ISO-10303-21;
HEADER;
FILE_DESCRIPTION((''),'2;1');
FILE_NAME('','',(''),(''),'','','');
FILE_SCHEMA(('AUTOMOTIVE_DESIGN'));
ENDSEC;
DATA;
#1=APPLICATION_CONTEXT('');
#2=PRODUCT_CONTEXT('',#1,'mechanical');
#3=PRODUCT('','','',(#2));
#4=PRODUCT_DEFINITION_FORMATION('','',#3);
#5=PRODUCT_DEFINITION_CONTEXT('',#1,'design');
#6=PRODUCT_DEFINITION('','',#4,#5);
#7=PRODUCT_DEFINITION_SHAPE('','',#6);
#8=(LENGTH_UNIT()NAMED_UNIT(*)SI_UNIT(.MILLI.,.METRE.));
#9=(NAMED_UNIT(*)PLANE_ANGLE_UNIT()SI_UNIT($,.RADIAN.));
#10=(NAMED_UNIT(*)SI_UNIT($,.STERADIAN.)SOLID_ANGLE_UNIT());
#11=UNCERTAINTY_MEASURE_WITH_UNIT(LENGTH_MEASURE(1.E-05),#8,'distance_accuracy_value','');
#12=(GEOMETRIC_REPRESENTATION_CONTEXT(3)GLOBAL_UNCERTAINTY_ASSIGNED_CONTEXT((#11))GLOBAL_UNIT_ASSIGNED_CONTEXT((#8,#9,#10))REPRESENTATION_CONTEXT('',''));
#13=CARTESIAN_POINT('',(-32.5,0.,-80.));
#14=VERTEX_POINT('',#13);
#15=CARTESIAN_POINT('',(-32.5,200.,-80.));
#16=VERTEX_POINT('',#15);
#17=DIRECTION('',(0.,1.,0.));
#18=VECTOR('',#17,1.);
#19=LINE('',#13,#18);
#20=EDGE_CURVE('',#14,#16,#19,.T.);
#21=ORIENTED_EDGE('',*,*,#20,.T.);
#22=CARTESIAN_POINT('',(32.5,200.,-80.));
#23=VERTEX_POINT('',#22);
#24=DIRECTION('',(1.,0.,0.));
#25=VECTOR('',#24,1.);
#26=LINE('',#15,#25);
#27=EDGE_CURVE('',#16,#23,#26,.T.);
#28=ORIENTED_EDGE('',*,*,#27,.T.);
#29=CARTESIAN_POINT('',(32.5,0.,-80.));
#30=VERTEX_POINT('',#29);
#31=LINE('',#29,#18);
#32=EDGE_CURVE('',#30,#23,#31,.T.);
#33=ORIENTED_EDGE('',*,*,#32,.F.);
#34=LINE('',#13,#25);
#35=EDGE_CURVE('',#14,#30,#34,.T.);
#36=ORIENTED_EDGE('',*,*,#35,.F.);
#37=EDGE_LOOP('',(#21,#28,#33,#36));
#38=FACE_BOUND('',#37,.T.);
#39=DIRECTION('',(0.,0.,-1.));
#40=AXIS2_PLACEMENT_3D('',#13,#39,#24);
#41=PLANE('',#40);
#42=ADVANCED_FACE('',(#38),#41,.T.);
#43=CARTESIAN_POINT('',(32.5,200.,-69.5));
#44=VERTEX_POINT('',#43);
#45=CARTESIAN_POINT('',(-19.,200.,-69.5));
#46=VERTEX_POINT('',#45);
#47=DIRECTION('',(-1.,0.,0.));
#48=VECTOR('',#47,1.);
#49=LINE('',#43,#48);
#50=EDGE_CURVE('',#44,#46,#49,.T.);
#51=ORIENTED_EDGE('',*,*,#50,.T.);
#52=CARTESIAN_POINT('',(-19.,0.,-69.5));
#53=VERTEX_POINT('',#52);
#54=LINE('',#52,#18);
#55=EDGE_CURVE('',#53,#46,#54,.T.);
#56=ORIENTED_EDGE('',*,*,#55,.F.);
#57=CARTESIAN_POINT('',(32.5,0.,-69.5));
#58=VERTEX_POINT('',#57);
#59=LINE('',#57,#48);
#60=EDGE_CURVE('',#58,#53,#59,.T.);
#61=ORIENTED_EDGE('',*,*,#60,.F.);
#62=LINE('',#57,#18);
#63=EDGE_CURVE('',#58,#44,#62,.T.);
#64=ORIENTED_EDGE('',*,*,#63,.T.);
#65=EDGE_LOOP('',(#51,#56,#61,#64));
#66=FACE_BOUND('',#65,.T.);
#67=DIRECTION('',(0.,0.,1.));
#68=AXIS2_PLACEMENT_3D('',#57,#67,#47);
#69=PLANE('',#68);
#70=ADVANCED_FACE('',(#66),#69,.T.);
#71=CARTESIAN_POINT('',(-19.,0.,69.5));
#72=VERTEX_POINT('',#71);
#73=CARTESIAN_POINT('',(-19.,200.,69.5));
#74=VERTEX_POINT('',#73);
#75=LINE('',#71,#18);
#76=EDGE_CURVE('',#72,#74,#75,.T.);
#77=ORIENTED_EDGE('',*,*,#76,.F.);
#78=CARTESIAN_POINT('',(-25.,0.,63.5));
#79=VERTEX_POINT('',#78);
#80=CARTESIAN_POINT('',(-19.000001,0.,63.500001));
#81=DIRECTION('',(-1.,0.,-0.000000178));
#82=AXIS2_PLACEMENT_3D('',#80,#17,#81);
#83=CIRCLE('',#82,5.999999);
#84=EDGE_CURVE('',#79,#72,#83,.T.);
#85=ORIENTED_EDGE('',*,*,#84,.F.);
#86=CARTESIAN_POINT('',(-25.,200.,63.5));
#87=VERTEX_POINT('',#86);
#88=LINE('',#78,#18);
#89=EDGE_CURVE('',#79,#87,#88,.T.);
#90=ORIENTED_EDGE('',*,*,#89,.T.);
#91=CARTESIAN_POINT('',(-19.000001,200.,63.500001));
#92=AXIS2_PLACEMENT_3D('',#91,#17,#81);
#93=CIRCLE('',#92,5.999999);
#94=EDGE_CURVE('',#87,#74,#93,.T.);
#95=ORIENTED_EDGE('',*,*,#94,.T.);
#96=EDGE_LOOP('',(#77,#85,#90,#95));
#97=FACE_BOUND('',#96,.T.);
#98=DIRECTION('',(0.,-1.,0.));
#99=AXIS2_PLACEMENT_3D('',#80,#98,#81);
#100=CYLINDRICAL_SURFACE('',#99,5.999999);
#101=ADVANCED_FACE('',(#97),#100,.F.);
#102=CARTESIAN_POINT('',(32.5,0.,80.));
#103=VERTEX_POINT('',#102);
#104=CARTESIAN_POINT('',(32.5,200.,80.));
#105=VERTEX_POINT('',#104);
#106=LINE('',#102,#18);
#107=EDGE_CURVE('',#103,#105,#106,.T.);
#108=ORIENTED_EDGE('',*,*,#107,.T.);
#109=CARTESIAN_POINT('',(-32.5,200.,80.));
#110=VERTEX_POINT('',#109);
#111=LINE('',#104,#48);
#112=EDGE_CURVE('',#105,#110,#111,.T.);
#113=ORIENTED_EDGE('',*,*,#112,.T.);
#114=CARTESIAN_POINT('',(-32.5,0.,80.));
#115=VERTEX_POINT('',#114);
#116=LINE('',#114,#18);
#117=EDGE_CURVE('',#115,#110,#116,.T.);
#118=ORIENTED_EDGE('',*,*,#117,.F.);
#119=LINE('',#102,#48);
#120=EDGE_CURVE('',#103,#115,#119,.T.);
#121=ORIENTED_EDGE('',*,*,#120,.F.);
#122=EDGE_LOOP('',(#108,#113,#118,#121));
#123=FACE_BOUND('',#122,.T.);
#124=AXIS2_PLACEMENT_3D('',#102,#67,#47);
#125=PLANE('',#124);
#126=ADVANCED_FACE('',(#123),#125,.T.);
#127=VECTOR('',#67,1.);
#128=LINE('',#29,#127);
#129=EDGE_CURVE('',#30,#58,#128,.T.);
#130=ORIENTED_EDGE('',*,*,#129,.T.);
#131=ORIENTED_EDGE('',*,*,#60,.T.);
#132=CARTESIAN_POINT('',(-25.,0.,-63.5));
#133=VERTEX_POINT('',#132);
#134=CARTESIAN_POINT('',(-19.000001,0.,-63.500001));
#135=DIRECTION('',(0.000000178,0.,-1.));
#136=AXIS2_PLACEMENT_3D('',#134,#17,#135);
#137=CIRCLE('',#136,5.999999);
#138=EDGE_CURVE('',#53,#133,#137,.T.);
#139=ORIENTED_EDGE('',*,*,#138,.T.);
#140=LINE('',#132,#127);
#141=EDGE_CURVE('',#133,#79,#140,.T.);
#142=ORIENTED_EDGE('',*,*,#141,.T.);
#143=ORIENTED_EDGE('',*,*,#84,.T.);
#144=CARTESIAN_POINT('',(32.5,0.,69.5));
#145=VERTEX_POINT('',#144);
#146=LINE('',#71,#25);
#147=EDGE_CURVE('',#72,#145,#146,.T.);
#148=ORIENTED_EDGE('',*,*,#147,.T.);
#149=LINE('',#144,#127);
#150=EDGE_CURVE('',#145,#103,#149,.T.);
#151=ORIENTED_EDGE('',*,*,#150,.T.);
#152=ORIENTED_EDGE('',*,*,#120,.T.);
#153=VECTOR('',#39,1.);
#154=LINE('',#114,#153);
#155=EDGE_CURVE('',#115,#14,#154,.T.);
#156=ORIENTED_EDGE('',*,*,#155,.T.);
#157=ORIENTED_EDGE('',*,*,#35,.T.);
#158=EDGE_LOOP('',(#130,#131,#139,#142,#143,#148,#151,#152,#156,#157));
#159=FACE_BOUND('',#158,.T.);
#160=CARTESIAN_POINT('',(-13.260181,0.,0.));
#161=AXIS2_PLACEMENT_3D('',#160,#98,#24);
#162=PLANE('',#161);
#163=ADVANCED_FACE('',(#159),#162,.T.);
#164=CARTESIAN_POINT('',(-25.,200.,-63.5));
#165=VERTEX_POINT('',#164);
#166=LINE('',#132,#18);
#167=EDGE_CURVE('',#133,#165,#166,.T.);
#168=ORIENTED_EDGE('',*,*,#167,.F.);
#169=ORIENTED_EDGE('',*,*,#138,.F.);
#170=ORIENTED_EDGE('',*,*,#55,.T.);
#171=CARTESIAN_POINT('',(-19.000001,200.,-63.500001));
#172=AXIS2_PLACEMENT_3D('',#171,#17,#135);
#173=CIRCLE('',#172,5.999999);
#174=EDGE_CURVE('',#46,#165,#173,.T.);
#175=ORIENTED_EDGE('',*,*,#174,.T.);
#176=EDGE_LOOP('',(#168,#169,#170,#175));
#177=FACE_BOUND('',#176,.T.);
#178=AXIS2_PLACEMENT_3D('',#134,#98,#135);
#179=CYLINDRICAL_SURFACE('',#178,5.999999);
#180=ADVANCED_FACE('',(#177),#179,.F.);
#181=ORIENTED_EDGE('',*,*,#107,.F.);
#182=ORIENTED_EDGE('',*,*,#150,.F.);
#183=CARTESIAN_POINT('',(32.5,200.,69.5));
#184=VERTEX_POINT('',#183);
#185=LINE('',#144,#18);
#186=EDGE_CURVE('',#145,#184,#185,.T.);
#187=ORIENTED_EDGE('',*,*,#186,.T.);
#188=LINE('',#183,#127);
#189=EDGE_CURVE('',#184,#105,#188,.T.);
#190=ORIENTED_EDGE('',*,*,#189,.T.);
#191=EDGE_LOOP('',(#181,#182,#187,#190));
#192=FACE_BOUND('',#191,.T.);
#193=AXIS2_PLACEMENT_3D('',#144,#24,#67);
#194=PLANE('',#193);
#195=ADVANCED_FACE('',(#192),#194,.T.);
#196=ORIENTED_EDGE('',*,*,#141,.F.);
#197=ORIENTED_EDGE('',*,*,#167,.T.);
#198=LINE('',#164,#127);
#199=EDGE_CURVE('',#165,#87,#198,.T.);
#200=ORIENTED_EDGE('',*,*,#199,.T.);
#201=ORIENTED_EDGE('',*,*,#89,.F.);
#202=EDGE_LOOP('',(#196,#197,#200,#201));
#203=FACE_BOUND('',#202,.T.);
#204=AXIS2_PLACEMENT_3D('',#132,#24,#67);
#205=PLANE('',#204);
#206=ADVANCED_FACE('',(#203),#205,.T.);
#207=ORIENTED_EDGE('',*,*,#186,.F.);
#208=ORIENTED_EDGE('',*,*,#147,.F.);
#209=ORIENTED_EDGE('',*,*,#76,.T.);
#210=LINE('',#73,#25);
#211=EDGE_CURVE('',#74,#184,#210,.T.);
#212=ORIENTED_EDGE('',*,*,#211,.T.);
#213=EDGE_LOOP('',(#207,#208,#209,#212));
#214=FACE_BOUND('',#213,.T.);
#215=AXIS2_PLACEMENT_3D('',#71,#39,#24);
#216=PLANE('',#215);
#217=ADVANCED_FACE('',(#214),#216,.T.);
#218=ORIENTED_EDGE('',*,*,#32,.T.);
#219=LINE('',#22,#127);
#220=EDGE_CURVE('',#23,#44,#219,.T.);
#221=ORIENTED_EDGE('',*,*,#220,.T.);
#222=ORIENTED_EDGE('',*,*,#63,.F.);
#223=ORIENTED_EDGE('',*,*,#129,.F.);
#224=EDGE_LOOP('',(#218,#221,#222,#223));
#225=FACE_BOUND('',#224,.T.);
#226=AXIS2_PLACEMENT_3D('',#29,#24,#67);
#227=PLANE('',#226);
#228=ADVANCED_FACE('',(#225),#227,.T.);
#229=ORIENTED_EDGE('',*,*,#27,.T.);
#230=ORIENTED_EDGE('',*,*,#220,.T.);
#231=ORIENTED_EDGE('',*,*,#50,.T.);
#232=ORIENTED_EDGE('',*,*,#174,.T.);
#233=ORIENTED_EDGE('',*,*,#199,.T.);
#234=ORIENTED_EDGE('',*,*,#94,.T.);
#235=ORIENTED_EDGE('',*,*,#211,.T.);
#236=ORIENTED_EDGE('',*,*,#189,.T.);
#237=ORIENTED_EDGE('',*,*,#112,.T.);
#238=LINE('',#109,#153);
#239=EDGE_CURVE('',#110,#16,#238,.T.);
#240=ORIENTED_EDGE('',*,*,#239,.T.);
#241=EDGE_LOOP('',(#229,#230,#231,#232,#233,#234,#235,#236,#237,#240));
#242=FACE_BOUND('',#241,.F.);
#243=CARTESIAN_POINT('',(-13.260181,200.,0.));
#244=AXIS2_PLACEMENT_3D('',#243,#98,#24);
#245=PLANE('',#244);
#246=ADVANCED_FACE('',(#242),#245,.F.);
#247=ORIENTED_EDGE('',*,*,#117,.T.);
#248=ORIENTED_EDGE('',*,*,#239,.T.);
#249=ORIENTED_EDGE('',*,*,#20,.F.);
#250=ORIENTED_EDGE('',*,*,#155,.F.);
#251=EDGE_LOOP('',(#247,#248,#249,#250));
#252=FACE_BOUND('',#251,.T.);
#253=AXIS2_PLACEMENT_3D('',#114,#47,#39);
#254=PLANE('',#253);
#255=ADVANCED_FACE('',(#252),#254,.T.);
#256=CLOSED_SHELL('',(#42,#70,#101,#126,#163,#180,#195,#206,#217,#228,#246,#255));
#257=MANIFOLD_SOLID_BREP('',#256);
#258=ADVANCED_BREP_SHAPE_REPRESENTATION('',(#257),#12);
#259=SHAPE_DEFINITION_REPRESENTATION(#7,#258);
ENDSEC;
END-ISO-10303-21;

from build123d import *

# Parameters (mm, degrees)
F1_DEPTH = 200


with BuildPart() as f1:
    # F0 (on Front) → F1 (new body)
    with BuildSketch(Plane.XZ):
        with BuildLine():
            Line((32.5, 69.5), (32.5, 80))
            Line((32.5, 80), (-32.5, 80))
            Line((-32.5, 80), (-32.5, -80))
            Line((-32.5, -80), (32.5, -80))
            Line((32.5, -80), (32.5, -69.5))
            Line((32.5, -69.5), (-19, -69.5))
            ThreePointArc((-19, -69.5), (-23.242641, -67.742641), (-25, -63.5))
            Line((-25, -63.5), (-25, 63.5))
            ThreePointArc((-25, 63.5), (-23.242641, 67.742641), (-19, 69.5))
            Line((-19, 69.5), (32.5, 69.5))
        make_face()
    extrude(amount=-F1_DEPTH)


solid = f1.part
